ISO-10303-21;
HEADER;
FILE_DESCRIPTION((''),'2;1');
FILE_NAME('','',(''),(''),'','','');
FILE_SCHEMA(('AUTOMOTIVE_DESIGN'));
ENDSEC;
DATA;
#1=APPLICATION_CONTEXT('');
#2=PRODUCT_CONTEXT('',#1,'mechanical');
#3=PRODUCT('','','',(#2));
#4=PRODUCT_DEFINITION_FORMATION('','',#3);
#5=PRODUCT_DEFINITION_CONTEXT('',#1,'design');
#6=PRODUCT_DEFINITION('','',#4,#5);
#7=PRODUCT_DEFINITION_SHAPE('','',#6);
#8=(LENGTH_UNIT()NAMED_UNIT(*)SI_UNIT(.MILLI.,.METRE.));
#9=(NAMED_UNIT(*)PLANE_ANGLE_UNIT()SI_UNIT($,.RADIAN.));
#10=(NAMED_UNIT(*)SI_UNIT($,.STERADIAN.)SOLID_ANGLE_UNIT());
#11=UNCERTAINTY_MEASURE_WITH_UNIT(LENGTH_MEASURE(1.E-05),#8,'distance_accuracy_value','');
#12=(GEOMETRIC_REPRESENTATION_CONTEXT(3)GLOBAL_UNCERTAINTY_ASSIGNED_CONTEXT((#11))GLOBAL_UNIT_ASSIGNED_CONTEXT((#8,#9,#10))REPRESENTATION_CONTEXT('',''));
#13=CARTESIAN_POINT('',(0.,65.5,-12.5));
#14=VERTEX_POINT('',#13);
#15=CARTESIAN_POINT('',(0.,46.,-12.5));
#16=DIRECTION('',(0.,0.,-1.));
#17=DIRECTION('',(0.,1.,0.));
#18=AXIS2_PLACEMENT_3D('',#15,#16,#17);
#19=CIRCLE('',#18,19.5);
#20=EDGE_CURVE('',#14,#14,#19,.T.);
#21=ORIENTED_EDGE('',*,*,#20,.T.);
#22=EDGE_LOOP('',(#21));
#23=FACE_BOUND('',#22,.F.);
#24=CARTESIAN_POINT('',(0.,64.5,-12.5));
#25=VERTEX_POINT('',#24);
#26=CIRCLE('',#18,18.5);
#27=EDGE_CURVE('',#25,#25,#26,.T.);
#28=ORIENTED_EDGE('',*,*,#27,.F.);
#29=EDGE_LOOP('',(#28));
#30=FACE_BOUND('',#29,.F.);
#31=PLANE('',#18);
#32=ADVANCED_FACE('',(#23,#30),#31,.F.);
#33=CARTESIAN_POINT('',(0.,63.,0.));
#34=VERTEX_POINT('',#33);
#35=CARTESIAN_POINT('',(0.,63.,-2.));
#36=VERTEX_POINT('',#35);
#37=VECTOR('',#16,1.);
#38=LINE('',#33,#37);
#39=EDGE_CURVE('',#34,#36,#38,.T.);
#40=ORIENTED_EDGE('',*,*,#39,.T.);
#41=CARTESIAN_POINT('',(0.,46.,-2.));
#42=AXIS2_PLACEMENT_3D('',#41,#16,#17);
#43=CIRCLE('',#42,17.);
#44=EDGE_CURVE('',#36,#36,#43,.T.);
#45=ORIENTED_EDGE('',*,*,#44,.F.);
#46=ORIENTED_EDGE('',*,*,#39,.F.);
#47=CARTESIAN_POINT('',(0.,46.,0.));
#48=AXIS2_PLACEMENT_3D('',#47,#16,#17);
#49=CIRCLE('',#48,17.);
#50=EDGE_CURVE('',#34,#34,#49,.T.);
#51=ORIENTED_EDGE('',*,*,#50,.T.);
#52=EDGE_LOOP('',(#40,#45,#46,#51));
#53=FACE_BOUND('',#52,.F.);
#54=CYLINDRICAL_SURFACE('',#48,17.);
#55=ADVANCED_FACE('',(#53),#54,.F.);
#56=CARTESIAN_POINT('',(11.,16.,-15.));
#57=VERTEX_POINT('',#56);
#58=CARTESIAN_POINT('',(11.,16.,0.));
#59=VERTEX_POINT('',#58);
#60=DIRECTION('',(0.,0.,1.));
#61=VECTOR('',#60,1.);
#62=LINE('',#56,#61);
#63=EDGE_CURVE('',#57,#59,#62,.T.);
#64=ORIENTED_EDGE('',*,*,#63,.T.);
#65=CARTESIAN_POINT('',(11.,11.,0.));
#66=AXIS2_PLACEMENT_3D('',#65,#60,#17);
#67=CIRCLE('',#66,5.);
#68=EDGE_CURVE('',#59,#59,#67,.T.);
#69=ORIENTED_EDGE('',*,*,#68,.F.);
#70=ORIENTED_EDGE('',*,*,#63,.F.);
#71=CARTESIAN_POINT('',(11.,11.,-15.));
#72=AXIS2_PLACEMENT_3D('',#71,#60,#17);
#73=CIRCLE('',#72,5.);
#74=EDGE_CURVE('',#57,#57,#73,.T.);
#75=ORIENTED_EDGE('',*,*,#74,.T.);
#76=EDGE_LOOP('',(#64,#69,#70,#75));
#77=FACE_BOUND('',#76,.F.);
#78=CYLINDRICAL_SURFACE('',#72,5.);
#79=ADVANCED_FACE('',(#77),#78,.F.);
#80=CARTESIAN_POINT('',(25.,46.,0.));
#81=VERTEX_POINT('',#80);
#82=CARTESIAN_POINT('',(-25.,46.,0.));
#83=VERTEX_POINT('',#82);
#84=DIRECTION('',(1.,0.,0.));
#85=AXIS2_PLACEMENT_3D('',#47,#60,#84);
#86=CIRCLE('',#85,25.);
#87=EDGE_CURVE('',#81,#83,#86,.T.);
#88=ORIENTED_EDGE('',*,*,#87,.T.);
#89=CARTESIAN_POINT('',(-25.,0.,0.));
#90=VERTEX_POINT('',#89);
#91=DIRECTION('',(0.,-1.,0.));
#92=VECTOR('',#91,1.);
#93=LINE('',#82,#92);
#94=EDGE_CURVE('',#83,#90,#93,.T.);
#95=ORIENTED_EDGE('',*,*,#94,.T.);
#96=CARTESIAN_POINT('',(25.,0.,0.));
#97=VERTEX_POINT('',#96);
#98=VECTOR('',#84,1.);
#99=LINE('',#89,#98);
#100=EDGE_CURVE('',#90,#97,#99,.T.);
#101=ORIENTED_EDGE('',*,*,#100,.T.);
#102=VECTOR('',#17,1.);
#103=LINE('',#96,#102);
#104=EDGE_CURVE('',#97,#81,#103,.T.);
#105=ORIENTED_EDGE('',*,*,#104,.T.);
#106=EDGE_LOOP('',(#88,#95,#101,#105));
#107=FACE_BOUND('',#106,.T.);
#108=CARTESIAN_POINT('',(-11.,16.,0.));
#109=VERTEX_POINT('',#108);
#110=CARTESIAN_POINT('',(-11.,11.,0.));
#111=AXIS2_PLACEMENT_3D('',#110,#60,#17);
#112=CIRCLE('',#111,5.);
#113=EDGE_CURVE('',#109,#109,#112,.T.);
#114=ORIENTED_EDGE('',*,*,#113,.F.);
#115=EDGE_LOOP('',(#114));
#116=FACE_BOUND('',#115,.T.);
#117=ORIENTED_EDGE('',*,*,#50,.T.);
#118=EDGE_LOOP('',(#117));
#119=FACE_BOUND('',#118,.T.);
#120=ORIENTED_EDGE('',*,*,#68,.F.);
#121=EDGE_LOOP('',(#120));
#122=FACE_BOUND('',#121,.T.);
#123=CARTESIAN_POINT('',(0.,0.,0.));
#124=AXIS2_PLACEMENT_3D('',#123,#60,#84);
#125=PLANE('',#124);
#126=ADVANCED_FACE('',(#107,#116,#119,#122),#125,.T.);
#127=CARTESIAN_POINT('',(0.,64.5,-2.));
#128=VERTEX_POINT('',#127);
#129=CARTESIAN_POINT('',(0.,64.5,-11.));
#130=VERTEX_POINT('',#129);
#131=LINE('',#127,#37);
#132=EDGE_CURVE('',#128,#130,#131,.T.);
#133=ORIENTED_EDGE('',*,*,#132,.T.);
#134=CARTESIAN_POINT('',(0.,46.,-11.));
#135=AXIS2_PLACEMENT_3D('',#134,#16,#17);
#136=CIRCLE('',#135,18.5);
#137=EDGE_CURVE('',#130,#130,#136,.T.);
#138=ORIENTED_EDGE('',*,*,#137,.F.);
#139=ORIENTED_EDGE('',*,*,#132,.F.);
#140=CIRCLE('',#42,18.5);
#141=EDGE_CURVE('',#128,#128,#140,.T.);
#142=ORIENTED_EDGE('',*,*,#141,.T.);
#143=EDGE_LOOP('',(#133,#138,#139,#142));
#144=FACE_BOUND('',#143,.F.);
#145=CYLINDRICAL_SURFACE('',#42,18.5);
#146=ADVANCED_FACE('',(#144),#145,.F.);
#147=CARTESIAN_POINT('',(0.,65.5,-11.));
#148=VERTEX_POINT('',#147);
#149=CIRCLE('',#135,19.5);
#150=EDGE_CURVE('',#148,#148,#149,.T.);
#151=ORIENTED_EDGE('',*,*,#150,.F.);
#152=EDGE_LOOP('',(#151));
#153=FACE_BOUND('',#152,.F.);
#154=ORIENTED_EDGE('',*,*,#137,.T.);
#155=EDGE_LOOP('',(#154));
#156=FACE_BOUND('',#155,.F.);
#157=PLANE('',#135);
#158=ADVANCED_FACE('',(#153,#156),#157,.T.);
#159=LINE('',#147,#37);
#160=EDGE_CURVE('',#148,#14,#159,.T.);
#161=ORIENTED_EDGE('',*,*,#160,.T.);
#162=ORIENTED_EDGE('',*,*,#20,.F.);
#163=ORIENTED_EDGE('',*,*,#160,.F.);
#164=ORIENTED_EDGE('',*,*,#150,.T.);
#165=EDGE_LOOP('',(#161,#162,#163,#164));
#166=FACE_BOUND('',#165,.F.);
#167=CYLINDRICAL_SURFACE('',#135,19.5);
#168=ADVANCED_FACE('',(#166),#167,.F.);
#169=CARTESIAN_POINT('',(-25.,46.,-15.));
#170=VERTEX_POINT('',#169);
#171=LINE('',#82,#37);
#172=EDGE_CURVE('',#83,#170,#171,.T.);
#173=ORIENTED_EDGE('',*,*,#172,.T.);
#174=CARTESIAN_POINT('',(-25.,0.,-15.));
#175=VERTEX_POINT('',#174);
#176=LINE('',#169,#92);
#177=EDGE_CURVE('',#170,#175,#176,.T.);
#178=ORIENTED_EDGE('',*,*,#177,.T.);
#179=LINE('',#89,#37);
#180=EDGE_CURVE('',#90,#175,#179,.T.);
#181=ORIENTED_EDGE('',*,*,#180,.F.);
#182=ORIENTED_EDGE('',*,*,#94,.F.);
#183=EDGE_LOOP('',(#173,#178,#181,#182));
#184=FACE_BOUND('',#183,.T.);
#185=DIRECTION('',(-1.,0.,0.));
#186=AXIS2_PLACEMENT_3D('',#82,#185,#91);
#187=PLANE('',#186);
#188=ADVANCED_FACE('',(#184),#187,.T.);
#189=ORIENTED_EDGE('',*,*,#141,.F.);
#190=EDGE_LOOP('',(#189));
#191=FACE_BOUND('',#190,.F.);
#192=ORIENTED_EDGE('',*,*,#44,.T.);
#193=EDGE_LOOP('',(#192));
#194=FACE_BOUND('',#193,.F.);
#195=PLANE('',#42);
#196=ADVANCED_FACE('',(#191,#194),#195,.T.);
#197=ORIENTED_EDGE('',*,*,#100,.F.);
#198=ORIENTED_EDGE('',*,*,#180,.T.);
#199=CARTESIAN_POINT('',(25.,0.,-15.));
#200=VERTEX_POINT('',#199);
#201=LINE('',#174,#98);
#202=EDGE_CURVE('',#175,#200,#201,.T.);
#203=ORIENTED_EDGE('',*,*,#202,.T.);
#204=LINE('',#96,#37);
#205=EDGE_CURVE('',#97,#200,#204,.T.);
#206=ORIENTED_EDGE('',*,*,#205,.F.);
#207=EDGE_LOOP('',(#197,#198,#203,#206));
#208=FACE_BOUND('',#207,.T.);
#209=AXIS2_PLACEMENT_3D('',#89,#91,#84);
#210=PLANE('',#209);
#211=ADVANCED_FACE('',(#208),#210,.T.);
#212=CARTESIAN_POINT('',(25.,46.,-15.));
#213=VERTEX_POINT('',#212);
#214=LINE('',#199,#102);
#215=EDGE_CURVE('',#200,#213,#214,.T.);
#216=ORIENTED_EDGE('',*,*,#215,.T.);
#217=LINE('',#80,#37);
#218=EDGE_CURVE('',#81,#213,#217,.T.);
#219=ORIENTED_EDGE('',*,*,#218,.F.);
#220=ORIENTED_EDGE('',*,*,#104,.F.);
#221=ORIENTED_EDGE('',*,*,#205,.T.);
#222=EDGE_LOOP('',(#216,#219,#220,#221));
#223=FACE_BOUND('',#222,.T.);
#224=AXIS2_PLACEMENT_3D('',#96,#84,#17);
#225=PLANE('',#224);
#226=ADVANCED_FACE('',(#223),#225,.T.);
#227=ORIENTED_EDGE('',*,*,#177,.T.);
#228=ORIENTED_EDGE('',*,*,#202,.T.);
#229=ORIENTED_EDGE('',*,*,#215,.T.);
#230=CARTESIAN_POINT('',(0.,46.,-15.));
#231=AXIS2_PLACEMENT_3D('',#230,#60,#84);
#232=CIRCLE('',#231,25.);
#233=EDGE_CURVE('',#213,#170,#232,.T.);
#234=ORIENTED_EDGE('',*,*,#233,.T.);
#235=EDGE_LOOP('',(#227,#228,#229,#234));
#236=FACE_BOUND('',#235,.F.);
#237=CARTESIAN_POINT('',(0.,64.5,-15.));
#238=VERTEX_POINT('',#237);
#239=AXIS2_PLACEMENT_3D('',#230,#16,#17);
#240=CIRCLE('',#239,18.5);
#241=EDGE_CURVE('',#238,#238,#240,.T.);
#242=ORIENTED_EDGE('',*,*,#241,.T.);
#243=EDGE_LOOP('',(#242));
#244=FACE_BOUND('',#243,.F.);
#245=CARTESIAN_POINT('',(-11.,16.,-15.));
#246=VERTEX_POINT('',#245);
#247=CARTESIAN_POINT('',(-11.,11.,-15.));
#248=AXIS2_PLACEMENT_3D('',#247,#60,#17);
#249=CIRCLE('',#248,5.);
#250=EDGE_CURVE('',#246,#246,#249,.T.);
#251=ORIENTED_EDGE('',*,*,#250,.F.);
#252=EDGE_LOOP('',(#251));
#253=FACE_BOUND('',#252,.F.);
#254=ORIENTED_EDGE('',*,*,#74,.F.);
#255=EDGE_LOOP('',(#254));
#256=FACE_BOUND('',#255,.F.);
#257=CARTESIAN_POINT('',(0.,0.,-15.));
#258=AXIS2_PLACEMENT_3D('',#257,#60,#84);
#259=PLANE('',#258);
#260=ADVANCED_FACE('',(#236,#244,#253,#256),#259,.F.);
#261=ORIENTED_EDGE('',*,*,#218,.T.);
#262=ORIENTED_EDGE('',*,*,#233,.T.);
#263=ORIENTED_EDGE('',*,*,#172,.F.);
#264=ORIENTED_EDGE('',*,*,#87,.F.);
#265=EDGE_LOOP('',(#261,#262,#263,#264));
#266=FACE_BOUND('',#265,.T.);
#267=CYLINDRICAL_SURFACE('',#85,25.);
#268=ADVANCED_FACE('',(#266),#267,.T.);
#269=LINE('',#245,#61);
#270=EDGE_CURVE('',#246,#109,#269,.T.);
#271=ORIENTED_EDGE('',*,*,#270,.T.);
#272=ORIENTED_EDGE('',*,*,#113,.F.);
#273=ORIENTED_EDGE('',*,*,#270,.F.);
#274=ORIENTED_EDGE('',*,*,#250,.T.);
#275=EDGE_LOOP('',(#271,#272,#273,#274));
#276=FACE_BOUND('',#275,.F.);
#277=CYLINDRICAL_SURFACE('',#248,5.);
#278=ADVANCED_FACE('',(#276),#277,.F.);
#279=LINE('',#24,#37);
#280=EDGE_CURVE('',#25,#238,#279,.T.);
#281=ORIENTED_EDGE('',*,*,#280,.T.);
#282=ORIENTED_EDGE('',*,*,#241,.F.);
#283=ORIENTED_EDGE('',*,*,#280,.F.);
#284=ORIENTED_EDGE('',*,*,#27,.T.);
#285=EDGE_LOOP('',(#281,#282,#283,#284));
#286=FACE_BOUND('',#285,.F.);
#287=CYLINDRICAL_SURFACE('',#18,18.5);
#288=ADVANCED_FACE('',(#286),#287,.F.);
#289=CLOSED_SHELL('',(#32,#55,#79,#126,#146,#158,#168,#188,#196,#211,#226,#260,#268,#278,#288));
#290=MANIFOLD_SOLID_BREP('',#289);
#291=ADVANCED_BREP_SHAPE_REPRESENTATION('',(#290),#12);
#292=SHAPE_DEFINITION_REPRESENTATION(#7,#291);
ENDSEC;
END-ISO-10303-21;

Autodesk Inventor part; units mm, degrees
sketch "Sketch_7" plane through (0, 0, 0) normal (0, 0, 1) x (1, 0, 0)
  line L0 (-25, 46) -> (-25, 0)
  line L1 (-25, 0) -> (25, 0)
  line L2 (25, 0) -> (25, 46)
  arc A0 (25, 46) -> (-25, 46) centre (0, 46) ccw
extrude "Extrusion1" add sketch "Sketch_7" against normal blind 15
sketch "Sketch_8" plane through (0, 0, 0) normal (1, 0, 0) x (0, 0, -1)
  line L0 (15, 46) -> (2, 46)
  line L1 (2, 46) -> (2, 64.5)
  line L2 (2, 64.5) -> (11, 64.5)
  line L3 (11, 64.5) -> (11, 65.5)
  line L4 (11, 65.5) -> (12.5, 65.5)
  line L5 (12.5, 65.5) -> (12.5, 64.5)
  line L6 (12.5, 64.5) -> (15, 64.5)
  line L7 (15, 64.5) -> (15, 46)
  line L8 (15, 46) -> (2, 46)
revolve "Revolution1" cut sketch "Sketch_8" angle 360 about axis through (0, 46, -15) along (0, 0, -1)
sketch "Sketch_1" plane through (0, 0, 0) normal (1, 0, 0) x (0, 0, -1)
  line L0 (15, 46) -> (0, 46)
  line L1 (0, 46) -> (0, 63)
  line L2 (0, 63) -> (15, 63)
  line L3 (15, 63) -> (15, 46)
  line L4 (15, 46) -> (0, 46)
revolve "Revolution2" cut sketch "Sketch_1" angle 360 about axis through (0, 46, -15) along (0, 0, -1)
sketch "Sketch4" plane through (0, 0, -15) normal (0, 0, -1) x (-1, 0, 0)
  point P0 (11, 11)
hole "Hole1" at (-11, 11, -15) direction (0, 0, 1) diameter 10 depth 15
pattern_linear "Rectangular Pattern1" count 2 spacing 22 along (1, 0, 0) of "Hole1"
ref_plane "to_bearing_XY" through (0, 46, -6.5) normal (0, 0, 1) x (1, 0, 0)
ref_plane "to_bearing_YZ" through (0, 46, -6.5) normal (1, 0, 0) x (0, 1, 0)
ref_plane "to_bearing_ZX" through (0, 46, -6.5) normal (0, 1, 0) x (0, 0, 1)
ref_plane "to_retaining_ring_XY" through (0, 46, -12.5) normal (0, 0, -1) x (1, 0, 0)
ref_plane "to_retaining_ring_YZ" through (0, 46, -12.5) normal (1, 0, 0) x (0, -1, 0)
ref_plane "to_retaining_ring_ZX" through (0, 46, -12.5) normal (0, -1, 0) x (0, 0, -1)
properties part number "SBGSMA6904ZZ-35_h"
